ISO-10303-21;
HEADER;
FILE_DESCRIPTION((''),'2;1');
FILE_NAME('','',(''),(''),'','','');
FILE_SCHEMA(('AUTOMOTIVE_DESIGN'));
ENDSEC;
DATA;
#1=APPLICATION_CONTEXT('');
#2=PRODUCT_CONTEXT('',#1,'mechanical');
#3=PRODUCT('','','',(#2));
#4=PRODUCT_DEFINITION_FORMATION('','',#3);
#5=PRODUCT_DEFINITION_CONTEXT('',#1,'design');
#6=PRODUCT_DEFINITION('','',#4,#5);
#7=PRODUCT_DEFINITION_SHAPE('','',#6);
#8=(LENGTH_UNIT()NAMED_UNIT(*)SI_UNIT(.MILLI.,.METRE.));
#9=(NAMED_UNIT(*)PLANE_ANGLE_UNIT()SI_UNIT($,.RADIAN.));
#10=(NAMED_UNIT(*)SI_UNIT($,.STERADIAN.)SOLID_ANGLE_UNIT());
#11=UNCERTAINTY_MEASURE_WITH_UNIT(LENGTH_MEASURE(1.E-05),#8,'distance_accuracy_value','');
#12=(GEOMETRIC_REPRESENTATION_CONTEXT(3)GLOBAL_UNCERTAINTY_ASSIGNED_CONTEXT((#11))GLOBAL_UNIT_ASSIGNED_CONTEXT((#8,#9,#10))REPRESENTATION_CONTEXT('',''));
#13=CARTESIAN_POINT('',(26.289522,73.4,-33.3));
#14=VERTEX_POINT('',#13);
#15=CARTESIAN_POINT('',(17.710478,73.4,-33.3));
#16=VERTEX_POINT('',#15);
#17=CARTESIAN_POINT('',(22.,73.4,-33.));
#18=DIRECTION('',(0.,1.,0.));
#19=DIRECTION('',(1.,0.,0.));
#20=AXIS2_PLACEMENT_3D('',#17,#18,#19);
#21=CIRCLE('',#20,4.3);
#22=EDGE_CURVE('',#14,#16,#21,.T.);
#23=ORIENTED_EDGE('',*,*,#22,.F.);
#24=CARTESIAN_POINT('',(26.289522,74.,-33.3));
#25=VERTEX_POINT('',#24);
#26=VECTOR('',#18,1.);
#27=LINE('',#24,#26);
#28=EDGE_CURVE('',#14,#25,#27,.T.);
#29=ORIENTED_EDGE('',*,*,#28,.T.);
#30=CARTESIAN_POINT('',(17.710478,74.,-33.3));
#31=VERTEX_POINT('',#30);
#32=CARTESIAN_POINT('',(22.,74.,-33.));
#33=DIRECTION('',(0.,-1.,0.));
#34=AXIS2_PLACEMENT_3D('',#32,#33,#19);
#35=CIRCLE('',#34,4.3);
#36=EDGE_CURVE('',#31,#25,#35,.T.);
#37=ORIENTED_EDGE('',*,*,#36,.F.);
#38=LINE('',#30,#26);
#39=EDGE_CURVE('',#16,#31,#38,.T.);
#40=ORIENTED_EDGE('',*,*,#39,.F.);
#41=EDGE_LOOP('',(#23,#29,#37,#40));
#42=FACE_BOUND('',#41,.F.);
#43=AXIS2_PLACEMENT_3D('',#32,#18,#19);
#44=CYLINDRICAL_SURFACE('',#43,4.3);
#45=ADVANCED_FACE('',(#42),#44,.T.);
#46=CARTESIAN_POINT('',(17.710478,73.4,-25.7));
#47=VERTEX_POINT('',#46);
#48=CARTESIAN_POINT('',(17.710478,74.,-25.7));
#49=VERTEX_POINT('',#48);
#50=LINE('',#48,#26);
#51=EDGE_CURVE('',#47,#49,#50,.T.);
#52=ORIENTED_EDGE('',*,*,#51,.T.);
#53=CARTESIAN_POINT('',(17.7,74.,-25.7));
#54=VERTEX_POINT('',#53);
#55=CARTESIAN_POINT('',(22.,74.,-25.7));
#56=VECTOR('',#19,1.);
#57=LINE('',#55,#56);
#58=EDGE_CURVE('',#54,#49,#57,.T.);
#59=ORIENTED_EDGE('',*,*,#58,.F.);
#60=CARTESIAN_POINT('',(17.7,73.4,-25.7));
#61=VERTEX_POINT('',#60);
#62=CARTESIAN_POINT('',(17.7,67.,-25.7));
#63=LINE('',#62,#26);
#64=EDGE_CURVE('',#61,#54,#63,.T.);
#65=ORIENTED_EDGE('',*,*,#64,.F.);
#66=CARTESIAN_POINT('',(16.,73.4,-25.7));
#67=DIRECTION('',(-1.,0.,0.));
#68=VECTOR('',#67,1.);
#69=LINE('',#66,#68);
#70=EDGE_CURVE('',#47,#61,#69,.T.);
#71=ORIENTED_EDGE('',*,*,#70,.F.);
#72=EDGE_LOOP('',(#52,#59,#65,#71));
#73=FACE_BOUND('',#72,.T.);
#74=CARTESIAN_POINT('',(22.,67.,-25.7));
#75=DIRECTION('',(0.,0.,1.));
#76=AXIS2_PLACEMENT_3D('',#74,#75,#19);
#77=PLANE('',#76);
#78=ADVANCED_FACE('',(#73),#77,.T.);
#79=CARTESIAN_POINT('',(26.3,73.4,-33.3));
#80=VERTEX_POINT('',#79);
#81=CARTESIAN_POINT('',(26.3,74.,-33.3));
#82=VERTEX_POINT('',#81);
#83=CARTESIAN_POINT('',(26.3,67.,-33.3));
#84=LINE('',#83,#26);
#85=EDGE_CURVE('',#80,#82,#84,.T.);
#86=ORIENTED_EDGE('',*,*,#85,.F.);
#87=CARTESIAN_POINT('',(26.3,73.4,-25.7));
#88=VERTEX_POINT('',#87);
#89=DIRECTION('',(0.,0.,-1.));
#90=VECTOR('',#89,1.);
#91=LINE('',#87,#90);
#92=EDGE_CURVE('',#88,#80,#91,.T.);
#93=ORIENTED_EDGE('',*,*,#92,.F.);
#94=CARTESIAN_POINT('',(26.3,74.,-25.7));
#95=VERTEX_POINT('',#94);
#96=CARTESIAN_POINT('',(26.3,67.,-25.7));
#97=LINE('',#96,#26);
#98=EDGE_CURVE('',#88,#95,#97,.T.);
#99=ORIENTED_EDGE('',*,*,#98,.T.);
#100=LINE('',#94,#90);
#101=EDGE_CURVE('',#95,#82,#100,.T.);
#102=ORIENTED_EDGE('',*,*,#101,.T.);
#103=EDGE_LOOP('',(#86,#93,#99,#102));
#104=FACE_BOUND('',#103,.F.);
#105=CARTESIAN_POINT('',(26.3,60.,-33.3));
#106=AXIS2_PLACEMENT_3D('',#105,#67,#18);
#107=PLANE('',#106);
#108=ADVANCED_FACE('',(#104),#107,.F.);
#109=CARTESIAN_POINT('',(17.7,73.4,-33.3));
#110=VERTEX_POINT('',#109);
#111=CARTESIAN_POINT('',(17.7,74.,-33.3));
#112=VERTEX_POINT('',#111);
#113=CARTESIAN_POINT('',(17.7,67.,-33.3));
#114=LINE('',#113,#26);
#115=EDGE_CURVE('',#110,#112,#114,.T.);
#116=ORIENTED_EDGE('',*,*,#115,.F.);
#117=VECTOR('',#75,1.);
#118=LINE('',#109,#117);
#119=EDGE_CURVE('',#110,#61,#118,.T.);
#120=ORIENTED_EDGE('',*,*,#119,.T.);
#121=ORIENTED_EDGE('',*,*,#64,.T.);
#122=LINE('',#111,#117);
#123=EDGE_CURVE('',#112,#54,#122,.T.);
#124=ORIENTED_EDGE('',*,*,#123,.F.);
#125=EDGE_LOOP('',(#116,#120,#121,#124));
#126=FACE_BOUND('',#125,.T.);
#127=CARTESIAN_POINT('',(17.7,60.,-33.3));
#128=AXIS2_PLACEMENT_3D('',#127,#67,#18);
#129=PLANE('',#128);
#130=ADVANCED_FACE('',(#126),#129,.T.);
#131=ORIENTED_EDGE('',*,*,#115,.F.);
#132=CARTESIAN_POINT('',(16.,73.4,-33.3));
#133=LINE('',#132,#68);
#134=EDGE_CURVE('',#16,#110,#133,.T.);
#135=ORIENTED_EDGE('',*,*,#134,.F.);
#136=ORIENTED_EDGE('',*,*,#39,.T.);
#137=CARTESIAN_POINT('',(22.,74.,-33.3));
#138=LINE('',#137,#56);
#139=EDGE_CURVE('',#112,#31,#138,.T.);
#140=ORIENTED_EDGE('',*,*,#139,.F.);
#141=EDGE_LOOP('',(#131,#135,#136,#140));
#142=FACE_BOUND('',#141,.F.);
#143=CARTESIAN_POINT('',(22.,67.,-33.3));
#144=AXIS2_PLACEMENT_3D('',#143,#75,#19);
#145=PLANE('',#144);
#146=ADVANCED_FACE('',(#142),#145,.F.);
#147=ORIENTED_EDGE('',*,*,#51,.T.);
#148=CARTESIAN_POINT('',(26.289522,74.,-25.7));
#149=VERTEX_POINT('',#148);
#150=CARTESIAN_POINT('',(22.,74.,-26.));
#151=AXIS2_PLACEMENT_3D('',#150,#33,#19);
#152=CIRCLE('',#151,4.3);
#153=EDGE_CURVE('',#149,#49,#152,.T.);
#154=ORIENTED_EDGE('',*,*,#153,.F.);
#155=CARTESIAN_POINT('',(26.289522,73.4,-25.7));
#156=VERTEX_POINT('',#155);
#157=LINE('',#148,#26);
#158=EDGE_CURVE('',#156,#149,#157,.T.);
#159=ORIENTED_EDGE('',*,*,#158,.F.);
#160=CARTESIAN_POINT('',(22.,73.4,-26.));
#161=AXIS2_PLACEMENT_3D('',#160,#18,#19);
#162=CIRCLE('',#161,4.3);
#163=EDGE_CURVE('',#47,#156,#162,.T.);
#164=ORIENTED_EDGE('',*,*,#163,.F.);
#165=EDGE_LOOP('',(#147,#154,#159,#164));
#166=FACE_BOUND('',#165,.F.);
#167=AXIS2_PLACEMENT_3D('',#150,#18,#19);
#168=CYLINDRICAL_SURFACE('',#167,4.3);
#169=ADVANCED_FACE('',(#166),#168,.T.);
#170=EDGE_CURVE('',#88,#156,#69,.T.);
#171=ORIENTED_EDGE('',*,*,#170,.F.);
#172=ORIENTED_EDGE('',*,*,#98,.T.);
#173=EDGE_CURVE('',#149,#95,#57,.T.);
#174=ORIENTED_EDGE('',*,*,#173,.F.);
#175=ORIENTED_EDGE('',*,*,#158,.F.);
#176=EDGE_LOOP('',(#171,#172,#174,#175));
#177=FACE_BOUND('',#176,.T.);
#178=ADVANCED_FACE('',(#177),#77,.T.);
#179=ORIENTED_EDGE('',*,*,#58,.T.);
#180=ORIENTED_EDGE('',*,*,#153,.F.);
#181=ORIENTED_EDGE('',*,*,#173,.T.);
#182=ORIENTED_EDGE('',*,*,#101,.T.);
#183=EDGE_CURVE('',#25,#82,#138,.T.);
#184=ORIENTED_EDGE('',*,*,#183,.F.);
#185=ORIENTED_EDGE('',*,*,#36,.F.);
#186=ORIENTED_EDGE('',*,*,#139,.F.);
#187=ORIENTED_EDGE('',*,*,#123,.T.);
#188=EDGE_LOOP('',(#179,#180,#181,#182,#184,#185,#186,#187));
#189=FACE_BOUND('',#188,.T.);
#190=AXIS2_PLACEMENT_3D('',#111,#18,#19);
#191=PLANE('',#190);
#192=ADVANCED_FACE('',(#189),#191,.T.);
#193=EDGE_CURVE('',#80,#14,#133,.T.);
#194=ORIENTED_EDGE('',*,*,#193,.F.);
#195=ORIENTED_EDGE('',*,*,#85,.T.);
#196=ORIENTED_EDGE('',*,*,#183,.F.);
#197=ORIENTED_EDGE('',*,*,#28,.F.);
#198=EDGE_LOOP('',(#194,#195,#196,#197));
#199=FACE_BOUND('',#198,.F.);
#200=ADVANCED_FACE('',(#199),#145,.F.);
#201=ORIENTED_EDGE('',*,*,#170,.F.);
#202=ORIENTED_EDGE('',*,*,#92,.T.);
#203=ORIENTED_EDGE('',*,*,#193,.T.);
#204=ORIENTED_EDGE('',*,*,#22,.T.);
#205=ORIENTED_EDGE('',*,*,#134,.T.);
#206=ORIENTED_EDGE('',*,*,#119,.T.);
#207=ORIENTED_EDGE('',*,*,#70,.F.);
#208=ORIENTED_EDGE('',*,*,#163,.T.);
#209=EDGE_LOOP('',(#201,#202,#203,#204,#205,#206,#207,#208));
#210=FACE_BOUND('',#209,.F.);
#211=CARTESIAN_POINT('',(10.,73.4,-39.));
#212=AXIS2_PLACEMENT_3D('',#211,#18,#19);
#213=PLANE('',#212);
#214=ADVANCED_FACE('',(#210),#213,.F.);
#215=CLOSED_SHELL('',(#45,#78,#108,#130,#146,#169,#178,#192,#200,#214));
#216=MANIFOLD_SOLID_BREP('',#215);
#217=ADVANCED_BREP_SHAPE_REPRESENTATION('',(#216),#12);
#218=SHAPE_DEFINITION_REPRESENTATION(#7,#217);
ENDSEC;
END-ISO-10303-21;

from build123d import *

# Parameters (mm, degrees)
BOX012_W          = 20
BOX012_H          = 20
BOX012_DEPTH      = 20
BOX011_W          = 8.6
BOX011_H          = 14
BOX011_DEPTH      = 7.6
CYLINDER021_R     = 4.3
CYLINDER021_DEPTH = 10
CYLINDER020_R     = 4.3
CYLINDER020_DEPTH = 10


with BuildPart() as cube012:
    # Box012 → Box012 (new body)
    with BuildSketch(Plane(origin=(10, 53.4, -39), x_dir=(1, 0, 0), z_dir=(0, 0, 1))):
        with Locations((10, 10)):
            Rectangle(BOX012_W, BOX012_H)
    extrude(amount=BOX012_DEPTH)


with BuildPart() as cube011:
    # Box011 → Box011 (new body)
    with BuildSketch(Plane(origin=(17.7, 59, -33.3), x_dir=(1, 0, 0), z_dir=(0, 0, 1))):
        with Locations((4.3, 7)):
            Rectangle(BOX011_W, BOX011_H)
    extrude(amount=BOX011_DEPTH)


with BuildPart() as cylinder021:
    # Cylinder021 → Cylinder021 (new body)
    with BuildSketch(Plane(origin=(22, 73, -26), x_dir=(1, 0, 0), z_dir=(0, -1, 0))):
        Circle(CYLINDER021_R)
    extrude(amount=CYLINDER021_DEPTH)


with BuildPart() as tapita:
    # Cylinder020 → Cylinder020 (new body)
    with BuildSketch(Plane(origin=(22, 73, -33), x_dir=(1, 0, 0), z_dir=(0, -1, 0))):
        Circle(CYLINDER020_R)
    extrude(amount=CYLINDER020_DEPTH)

    # Fusion021: union Cube011, Cylinder021
    add(cube011.part)
    add(cylinder021.part)


with BuildPart() as tapita_1:
    # Fusion021 placement: moved
    add(tapita.part.moved(Location((0, 1, 0))))

    # Cut007002: cut Cube012
    add(cube012.part, mode=Mode.SUBTRACT)


solid = tapita_1.part
